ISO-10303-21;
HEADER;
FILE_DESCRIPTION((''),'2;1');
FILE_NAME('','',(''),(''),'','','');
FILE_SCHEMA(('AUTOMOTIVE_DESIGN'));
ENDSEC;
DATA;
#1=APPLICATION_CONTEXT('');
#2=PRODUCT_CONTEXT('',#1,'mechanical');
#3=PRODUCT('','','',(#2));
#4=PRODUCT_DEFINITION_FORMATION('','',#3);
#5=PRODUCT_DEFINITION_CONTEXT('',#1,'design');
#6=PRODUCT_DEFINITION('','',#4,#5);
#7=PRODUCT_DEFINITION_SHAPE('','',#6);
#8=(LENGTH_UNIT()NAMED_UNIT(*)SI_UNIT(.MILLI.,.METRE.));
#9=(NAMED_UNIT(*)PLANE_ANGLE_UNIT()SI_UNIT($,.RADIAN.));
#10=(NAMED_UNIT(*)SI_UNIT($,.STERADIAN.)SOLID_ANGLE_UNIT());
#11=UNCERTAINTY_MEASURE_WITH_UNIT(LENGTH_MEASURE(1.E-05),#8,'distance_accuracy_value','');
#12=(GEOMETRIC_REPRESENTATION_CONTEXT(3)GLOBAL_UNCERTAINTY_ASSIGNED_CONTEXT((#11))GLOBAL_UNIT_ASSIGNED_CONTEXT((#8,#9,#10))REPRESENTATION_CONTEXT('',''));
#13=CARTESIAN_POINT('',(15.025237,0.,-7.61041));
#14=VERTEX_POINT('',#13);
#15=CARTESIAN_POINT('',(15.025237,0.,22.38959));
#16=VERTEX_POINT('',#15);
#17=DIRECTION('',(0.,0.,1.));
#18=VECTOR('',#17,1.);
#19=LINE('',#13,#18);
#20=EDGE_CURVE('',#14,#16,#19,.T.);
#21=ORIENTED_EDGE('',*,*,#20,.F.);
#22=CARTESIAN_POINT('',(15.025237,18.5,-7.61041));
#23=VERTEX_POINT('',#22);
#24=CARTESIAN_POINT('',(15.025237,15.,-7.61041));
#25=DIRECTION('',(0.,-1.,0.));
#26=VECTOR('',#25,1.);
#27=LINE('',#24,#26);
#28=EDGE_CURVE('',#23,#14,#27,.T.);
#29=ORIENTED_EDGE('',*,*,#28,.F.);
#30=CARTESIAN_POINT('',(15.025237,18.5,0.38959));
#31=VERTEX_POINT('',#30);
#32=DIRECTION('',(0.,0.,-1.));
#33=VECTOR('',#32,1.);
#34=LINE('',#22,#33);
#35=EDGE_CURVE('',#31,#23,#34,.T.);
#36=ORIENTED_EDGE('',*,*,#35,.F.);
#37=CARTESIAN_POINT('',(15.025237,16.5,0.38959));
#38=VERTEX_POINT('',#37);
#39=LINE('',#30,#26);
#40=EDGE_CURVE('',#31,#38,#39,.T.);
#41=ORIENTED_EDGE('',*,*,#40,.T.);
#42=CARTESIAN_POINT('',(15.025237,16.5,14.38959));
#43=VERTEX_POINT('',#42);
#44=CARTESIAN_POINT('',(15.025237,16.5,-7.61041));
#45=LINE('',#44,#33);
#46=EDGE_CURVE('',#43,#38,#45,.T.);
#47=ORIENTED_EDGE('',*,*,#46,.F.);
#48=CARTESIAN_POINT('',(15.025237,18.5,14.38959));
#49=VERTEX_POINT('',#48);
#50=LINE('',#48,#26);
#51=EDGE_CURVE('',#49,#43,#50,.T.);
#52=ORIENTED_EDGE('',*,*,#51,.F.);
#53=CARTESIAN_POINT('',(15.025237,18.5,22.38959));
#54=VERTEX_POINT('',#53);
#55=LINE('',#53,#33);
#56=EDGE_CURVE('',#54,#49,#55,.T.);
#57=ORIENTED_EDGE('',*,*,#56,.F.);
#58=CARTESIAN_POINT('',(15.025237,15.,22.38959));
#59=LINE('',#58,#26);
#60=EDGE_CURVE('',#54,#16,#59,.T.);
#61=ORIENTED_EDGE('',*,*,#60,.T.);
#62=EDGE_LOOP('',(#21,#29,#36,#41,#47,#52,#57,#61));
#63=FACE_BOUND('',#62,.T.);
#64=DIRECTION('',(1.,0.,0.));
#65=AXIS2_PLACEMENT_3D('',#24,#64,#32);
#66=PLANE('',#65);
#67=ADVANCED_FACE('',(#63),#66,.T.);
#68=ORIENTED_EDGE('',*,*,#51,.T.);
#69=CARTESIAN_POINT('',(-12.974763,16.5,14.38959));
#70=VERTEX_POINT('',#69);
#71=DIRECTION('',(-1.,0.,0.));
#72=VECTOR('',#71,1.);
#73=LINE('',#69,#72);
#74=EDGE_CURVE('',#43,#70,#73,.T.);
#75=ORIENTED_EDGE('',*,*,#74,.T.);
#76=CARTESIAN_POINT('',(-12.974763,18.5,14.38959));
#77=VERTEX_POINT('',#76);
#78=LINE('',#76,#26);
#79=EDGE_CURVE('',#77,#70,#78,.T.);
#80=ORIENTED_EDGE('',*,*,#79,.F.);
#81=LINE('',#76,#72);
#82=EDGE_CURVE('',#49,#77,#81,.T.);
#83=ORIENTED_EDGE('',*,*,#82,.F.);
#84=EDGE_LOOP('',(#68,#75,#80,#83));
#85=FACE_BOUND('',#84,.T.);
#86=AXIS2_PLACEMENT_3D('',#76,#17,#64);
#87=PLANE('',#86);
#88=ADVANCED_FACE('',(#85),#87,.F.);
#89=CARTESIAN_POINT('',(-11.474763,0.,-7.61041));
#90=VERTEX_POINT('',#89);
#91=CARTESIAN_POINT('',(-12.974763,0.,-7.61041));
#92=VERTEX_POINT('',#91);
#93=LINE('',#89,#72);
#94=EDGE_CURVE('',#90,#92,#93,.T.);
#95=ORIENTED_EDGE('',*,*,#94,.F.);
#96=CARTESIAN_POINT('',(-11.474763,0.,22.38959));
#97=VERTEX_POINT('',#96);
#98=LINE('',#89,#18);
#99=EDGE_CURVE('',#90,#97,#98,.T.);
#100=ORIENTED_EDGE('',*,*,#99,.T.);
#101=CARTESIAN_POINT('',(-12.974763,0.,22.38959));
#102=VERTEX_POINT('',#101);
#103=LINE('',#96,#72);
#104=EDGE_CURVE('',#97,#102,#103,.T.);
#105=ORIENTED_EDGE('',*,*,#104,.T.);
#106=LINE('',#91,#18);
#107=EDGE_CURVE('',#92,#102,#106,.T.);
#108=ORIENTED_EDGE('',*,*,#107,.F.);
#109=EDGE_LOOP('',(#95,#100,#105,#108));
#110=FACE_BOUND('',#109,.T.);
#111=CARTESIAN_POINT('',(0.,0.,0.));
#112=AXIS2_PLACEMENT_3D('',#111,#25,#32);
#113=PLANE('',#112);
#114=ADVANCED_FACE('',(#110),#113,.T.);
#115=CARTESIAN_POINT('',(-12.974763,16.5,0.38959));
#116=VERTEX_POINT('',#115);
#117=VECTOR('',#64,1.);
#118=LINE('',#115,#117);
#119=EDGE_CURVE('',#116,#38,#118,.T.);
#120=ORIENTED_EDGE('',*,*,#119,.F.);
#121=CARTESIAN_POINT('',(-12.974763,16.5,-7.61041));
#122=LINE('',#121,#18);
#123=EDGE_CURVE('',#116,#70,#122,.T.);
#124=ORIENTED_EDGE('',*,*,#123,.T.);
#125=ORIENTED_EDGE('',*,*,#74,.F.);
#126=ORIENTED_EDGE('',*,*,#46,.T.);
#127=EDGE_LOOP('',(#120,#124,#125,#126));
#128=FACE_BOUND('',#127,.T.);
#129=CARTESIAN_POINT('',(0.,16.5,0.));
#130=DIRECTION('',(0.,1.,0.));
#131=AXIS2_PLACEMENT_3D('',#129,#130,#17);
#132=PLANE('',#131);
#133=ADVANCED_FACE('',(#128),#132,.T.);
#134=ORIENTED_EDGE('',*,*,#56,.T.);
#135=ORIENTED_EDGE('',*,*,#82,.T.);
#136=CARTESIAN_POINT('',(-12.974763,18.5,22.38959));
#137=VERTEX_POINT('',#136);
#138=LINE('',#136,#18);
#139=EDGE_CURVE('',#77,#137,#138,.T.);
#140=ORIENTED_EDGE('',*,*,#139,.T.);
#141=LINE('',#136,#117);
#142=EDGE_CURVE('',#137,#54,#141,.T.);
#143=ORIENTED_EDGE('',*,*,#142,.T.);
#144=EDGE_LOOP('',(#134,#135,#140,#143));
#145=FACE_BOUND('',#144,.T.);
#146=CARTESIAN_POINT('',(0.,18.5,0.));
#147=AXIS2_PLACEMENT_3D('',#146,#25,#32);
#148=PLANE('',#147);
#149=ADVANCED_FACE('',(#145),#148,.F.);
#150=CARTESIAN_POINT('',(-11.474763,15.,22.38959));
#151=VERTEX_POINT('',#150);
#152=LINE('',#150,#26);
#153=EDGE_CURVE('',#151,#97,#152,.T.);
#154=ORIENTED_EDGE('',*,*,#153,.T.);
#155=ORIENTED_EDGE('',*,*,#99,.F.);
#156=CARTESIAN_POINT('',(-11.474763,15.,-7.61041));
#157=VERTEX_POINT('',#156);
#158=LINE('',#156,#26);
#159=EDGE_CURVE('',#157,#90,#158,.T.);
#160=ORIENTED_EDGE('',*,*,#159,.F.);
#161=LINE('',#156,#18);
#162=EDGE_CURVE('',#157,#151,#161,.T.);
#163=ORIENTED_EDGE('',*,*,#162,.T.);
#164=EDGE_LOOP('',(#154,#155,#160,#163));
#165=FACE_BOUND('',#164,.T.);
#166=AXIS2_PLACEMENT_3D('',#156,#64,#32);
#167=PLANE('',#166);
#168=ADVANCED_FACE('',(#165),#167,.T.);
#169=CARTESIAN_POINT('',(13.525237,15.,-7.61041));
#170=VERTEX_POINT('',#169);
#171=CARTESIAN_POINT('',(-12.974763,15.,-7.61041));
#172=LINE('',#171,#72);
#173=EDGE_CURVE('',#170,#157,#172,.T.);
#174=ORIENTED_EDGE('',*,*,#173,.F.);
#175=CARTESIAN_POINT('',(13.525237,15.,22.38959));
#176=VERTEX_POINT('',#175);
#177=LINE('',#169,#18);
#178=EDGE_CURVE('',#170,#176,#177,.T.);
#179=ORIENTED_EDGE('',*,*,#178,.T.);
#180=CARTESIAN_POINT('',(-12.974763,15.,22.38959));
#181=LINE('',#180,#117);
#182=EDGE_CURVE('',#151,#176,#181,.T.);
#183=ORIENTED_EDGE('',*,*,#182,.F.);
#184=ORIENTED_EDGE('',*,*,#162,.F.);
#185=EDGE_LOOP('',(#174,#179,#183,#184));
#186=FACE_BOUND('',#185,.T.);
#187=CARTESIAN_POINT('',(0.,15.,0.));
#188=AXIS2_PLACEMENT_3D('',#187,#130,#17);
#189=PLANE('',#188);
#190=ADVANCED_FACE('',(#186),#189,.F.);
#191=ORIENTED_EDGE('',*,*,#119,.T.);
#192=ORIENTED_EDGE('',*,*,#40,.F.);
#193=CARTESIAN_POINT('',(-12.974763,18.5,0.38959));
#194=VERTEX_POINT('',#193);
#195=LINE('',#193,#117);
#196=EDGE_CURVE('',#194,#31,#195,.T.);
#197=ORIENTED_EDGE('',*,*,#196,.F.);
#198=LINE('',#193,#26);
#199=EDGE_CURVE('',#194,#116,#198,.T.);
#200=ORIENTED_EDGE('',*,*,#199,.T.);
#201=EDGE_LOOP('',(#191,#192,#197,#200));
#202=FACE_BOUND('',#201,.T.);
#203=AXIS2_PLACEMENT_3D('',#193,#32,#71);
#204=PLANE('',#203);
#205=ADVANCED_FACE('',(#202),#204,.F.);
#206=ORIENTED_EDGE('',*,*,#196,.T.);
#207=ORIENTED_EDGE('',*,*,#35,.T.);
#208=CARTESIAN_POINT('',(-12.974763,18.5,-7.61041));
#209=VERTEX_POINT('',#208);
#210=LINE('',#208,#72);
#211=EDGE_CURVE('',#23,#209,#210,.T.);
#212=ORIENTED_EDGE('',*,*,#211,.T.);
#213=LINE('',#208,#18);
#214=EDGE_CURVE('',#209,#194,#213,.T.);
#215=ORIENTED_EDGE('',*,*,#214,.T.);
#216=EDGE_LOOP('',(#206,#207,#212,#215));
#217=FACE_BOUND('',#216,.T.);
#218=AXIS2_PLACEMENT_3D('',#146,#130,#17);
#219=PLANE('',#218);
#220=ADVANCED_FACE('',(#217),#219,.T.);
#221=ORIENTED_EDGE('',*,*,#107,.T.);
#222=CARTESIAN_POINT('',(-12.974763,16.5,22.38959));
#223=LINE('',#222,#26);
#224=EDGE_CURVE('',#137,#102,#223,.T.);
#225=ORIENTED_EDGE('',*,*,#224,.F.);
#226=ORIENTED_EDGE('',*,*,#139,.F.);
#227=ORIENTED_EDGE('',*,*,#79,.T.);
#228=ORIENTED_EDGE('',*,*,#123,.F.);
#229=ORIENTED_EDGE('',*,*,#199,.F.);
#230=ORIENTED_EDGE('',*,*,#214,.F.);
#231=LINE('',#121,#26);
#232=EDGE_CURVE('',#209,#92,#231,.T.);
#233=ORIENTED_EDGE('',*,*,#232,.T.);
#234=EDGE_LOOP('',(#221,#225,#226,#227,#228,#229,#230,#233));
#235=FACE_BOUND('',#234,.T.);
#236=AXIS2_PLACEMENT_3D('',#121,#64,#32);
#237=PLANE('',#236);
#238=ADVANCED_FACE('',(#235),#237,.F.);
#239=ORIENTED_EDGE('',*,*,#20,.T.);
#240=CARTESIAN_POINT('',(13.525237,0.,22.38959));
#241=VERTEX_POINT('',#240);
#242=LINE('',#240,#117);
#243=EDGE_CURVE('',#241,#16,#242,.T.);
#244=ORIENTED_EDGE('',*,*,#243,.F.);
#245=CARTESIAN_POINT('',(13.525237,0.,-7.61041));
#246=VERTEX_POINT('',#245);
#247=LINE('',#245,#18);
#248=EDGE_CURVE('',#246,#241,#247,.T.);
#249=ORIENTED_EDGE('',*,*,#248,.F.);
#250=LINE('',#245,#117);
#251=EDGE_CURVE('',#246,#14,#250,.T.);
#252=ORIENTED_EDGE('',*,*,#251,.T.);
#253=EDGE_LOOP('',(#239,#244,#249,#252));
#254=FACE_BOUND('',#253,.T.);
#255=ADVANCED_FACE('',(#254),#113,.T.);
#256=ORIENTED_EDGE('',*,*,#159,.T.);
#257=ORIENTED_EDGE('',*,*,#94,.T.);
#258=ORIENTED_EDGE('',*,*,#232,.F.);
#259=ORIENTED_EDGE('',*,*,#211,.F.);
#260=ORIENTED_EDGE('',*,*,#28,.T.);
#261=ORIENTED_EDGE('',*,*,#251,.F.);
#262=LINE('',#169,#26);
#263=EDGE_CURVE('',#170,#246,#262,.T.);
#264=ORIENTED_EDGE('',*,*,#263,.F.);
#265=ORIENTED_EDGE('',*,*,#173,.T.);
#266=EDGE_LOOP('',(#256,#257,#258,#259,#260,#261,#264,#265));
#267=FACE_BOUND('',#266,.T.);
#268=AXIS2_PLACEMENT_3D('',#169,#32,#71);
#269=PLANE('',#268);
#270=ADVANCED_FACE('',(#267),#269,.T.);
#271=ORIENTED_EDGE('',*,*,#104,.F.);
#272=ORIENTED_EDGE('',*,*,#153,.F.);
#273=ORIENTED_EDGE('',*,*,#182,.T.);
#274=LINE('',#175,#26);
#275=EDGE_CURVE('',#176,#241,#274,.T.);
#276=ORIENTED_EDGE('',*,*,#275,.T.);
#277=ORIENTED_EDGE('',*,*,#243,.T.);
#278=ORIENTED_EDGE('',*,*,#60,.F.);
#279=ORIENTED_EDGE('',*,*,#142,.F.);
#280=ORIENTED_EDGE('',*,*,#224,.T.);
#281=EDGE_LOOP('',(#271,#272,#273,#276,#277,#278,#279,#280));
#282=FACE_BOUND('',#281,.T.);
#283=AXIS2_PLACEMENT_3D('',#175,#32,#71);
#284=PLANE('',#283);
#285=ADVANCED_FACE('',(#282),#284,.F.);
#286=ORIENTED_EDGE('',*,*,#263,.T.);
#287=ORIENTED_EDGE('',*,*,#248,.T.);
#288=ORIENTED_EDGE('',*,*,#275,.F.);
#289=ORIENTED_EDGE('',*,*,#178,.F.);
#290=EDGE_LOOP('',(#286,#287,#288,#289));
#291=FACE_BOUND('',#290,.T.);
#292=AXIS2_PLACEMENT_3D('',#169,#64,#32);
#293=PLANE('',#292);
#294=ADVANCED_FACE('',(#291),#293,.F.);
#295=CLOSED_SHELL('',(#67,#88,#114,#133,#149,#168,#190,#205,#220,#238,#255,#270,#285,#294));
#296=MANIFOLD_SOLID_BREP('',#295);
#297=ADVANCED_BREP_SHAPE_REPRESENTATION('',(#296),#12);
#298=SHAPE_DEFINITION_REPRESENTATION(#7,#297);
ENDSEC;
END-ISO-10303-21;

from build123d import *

# Parameters (mm, degrees)
SKETCH1_W             = 1.5
SKETCH1_H             = 30
BOSS_EXTRUDE1_DEPTH   = 15
BOSS_EXTRUDE1_2_DEPTH = 15
SKETCH4_W             = 28
SKETCH4_H             = 30
BOSS_EXTRUDE2_DEPTH   = 1.5
SKETCH5_W             = 28
SKETCH5_H             = 8
BOSS_EXTRUDE3_DEPTH   = 2


with BuildPart() as part:
    # Sketch1 → Boss-Extrude1 (new body)
    with BuildSketch(Plane(origin=(0, 0, 0), x_dir=(1, 0, 0), z_dir=(0, 1, 0))):
        with Locations((-12.224763407, -7.389589905)):
            Rectangle(SKETCH1_W, SKETCH1_H)
    extrude(amount=BOSS_EXTRUDE1_DEPTH)



with BuildPart() as body_2:
    # Sketch1 → Boss-Extrude1 2 (new body)
    with BuildSketch(Plane(origin=(0, 0, 0), x_dir=(1, 0, 0), z_dir=(0, 1, 0))):
        with Locations((14.275236593, -7.389589905)):
            Rectangle(SKETCH1_W, SKETCH1_H)
    extrude(amount=BOSS_EXTRUDE1_2_DEPTH)


with BuildPart() as part_1:
    add(part.part)

    add(body_2.part)  # Boss-Extrude2 merges body 2
    # Sketch4 → Boss-Extrude2 (add)
    with BuildSketch(Plane(origin=(0, 15, 0), x_dir=(1, 0, 0), z_dir=(0, 1, 0))):
        with Locations((1.025236593, -7.389589905)):
            Rectangle(SKETCH4_W, SKETCH4_H)
    extrude(amount=BOSS_EXTRUDE2_DEPTH)

    # Sketch5 → Boss-Extrude3 (add)
    with BuildSketch(Plane(origin=(0, 16.5, 0), x_dir=(1, 0, 0), z_dir=(0, 1, 0))):
        with Locations((1.025236593, 3.610410095)):
            Rectangle(SKETCH5_W, SKETCH5_H)
        with Locations((1.025236593, -18.389589905)):
            Rectangle(SKETCH5_W, SKETCH5_H)
    extrude(amount=BOSS_EXTRUDE3_DEPTH)


solid = part_1.part
